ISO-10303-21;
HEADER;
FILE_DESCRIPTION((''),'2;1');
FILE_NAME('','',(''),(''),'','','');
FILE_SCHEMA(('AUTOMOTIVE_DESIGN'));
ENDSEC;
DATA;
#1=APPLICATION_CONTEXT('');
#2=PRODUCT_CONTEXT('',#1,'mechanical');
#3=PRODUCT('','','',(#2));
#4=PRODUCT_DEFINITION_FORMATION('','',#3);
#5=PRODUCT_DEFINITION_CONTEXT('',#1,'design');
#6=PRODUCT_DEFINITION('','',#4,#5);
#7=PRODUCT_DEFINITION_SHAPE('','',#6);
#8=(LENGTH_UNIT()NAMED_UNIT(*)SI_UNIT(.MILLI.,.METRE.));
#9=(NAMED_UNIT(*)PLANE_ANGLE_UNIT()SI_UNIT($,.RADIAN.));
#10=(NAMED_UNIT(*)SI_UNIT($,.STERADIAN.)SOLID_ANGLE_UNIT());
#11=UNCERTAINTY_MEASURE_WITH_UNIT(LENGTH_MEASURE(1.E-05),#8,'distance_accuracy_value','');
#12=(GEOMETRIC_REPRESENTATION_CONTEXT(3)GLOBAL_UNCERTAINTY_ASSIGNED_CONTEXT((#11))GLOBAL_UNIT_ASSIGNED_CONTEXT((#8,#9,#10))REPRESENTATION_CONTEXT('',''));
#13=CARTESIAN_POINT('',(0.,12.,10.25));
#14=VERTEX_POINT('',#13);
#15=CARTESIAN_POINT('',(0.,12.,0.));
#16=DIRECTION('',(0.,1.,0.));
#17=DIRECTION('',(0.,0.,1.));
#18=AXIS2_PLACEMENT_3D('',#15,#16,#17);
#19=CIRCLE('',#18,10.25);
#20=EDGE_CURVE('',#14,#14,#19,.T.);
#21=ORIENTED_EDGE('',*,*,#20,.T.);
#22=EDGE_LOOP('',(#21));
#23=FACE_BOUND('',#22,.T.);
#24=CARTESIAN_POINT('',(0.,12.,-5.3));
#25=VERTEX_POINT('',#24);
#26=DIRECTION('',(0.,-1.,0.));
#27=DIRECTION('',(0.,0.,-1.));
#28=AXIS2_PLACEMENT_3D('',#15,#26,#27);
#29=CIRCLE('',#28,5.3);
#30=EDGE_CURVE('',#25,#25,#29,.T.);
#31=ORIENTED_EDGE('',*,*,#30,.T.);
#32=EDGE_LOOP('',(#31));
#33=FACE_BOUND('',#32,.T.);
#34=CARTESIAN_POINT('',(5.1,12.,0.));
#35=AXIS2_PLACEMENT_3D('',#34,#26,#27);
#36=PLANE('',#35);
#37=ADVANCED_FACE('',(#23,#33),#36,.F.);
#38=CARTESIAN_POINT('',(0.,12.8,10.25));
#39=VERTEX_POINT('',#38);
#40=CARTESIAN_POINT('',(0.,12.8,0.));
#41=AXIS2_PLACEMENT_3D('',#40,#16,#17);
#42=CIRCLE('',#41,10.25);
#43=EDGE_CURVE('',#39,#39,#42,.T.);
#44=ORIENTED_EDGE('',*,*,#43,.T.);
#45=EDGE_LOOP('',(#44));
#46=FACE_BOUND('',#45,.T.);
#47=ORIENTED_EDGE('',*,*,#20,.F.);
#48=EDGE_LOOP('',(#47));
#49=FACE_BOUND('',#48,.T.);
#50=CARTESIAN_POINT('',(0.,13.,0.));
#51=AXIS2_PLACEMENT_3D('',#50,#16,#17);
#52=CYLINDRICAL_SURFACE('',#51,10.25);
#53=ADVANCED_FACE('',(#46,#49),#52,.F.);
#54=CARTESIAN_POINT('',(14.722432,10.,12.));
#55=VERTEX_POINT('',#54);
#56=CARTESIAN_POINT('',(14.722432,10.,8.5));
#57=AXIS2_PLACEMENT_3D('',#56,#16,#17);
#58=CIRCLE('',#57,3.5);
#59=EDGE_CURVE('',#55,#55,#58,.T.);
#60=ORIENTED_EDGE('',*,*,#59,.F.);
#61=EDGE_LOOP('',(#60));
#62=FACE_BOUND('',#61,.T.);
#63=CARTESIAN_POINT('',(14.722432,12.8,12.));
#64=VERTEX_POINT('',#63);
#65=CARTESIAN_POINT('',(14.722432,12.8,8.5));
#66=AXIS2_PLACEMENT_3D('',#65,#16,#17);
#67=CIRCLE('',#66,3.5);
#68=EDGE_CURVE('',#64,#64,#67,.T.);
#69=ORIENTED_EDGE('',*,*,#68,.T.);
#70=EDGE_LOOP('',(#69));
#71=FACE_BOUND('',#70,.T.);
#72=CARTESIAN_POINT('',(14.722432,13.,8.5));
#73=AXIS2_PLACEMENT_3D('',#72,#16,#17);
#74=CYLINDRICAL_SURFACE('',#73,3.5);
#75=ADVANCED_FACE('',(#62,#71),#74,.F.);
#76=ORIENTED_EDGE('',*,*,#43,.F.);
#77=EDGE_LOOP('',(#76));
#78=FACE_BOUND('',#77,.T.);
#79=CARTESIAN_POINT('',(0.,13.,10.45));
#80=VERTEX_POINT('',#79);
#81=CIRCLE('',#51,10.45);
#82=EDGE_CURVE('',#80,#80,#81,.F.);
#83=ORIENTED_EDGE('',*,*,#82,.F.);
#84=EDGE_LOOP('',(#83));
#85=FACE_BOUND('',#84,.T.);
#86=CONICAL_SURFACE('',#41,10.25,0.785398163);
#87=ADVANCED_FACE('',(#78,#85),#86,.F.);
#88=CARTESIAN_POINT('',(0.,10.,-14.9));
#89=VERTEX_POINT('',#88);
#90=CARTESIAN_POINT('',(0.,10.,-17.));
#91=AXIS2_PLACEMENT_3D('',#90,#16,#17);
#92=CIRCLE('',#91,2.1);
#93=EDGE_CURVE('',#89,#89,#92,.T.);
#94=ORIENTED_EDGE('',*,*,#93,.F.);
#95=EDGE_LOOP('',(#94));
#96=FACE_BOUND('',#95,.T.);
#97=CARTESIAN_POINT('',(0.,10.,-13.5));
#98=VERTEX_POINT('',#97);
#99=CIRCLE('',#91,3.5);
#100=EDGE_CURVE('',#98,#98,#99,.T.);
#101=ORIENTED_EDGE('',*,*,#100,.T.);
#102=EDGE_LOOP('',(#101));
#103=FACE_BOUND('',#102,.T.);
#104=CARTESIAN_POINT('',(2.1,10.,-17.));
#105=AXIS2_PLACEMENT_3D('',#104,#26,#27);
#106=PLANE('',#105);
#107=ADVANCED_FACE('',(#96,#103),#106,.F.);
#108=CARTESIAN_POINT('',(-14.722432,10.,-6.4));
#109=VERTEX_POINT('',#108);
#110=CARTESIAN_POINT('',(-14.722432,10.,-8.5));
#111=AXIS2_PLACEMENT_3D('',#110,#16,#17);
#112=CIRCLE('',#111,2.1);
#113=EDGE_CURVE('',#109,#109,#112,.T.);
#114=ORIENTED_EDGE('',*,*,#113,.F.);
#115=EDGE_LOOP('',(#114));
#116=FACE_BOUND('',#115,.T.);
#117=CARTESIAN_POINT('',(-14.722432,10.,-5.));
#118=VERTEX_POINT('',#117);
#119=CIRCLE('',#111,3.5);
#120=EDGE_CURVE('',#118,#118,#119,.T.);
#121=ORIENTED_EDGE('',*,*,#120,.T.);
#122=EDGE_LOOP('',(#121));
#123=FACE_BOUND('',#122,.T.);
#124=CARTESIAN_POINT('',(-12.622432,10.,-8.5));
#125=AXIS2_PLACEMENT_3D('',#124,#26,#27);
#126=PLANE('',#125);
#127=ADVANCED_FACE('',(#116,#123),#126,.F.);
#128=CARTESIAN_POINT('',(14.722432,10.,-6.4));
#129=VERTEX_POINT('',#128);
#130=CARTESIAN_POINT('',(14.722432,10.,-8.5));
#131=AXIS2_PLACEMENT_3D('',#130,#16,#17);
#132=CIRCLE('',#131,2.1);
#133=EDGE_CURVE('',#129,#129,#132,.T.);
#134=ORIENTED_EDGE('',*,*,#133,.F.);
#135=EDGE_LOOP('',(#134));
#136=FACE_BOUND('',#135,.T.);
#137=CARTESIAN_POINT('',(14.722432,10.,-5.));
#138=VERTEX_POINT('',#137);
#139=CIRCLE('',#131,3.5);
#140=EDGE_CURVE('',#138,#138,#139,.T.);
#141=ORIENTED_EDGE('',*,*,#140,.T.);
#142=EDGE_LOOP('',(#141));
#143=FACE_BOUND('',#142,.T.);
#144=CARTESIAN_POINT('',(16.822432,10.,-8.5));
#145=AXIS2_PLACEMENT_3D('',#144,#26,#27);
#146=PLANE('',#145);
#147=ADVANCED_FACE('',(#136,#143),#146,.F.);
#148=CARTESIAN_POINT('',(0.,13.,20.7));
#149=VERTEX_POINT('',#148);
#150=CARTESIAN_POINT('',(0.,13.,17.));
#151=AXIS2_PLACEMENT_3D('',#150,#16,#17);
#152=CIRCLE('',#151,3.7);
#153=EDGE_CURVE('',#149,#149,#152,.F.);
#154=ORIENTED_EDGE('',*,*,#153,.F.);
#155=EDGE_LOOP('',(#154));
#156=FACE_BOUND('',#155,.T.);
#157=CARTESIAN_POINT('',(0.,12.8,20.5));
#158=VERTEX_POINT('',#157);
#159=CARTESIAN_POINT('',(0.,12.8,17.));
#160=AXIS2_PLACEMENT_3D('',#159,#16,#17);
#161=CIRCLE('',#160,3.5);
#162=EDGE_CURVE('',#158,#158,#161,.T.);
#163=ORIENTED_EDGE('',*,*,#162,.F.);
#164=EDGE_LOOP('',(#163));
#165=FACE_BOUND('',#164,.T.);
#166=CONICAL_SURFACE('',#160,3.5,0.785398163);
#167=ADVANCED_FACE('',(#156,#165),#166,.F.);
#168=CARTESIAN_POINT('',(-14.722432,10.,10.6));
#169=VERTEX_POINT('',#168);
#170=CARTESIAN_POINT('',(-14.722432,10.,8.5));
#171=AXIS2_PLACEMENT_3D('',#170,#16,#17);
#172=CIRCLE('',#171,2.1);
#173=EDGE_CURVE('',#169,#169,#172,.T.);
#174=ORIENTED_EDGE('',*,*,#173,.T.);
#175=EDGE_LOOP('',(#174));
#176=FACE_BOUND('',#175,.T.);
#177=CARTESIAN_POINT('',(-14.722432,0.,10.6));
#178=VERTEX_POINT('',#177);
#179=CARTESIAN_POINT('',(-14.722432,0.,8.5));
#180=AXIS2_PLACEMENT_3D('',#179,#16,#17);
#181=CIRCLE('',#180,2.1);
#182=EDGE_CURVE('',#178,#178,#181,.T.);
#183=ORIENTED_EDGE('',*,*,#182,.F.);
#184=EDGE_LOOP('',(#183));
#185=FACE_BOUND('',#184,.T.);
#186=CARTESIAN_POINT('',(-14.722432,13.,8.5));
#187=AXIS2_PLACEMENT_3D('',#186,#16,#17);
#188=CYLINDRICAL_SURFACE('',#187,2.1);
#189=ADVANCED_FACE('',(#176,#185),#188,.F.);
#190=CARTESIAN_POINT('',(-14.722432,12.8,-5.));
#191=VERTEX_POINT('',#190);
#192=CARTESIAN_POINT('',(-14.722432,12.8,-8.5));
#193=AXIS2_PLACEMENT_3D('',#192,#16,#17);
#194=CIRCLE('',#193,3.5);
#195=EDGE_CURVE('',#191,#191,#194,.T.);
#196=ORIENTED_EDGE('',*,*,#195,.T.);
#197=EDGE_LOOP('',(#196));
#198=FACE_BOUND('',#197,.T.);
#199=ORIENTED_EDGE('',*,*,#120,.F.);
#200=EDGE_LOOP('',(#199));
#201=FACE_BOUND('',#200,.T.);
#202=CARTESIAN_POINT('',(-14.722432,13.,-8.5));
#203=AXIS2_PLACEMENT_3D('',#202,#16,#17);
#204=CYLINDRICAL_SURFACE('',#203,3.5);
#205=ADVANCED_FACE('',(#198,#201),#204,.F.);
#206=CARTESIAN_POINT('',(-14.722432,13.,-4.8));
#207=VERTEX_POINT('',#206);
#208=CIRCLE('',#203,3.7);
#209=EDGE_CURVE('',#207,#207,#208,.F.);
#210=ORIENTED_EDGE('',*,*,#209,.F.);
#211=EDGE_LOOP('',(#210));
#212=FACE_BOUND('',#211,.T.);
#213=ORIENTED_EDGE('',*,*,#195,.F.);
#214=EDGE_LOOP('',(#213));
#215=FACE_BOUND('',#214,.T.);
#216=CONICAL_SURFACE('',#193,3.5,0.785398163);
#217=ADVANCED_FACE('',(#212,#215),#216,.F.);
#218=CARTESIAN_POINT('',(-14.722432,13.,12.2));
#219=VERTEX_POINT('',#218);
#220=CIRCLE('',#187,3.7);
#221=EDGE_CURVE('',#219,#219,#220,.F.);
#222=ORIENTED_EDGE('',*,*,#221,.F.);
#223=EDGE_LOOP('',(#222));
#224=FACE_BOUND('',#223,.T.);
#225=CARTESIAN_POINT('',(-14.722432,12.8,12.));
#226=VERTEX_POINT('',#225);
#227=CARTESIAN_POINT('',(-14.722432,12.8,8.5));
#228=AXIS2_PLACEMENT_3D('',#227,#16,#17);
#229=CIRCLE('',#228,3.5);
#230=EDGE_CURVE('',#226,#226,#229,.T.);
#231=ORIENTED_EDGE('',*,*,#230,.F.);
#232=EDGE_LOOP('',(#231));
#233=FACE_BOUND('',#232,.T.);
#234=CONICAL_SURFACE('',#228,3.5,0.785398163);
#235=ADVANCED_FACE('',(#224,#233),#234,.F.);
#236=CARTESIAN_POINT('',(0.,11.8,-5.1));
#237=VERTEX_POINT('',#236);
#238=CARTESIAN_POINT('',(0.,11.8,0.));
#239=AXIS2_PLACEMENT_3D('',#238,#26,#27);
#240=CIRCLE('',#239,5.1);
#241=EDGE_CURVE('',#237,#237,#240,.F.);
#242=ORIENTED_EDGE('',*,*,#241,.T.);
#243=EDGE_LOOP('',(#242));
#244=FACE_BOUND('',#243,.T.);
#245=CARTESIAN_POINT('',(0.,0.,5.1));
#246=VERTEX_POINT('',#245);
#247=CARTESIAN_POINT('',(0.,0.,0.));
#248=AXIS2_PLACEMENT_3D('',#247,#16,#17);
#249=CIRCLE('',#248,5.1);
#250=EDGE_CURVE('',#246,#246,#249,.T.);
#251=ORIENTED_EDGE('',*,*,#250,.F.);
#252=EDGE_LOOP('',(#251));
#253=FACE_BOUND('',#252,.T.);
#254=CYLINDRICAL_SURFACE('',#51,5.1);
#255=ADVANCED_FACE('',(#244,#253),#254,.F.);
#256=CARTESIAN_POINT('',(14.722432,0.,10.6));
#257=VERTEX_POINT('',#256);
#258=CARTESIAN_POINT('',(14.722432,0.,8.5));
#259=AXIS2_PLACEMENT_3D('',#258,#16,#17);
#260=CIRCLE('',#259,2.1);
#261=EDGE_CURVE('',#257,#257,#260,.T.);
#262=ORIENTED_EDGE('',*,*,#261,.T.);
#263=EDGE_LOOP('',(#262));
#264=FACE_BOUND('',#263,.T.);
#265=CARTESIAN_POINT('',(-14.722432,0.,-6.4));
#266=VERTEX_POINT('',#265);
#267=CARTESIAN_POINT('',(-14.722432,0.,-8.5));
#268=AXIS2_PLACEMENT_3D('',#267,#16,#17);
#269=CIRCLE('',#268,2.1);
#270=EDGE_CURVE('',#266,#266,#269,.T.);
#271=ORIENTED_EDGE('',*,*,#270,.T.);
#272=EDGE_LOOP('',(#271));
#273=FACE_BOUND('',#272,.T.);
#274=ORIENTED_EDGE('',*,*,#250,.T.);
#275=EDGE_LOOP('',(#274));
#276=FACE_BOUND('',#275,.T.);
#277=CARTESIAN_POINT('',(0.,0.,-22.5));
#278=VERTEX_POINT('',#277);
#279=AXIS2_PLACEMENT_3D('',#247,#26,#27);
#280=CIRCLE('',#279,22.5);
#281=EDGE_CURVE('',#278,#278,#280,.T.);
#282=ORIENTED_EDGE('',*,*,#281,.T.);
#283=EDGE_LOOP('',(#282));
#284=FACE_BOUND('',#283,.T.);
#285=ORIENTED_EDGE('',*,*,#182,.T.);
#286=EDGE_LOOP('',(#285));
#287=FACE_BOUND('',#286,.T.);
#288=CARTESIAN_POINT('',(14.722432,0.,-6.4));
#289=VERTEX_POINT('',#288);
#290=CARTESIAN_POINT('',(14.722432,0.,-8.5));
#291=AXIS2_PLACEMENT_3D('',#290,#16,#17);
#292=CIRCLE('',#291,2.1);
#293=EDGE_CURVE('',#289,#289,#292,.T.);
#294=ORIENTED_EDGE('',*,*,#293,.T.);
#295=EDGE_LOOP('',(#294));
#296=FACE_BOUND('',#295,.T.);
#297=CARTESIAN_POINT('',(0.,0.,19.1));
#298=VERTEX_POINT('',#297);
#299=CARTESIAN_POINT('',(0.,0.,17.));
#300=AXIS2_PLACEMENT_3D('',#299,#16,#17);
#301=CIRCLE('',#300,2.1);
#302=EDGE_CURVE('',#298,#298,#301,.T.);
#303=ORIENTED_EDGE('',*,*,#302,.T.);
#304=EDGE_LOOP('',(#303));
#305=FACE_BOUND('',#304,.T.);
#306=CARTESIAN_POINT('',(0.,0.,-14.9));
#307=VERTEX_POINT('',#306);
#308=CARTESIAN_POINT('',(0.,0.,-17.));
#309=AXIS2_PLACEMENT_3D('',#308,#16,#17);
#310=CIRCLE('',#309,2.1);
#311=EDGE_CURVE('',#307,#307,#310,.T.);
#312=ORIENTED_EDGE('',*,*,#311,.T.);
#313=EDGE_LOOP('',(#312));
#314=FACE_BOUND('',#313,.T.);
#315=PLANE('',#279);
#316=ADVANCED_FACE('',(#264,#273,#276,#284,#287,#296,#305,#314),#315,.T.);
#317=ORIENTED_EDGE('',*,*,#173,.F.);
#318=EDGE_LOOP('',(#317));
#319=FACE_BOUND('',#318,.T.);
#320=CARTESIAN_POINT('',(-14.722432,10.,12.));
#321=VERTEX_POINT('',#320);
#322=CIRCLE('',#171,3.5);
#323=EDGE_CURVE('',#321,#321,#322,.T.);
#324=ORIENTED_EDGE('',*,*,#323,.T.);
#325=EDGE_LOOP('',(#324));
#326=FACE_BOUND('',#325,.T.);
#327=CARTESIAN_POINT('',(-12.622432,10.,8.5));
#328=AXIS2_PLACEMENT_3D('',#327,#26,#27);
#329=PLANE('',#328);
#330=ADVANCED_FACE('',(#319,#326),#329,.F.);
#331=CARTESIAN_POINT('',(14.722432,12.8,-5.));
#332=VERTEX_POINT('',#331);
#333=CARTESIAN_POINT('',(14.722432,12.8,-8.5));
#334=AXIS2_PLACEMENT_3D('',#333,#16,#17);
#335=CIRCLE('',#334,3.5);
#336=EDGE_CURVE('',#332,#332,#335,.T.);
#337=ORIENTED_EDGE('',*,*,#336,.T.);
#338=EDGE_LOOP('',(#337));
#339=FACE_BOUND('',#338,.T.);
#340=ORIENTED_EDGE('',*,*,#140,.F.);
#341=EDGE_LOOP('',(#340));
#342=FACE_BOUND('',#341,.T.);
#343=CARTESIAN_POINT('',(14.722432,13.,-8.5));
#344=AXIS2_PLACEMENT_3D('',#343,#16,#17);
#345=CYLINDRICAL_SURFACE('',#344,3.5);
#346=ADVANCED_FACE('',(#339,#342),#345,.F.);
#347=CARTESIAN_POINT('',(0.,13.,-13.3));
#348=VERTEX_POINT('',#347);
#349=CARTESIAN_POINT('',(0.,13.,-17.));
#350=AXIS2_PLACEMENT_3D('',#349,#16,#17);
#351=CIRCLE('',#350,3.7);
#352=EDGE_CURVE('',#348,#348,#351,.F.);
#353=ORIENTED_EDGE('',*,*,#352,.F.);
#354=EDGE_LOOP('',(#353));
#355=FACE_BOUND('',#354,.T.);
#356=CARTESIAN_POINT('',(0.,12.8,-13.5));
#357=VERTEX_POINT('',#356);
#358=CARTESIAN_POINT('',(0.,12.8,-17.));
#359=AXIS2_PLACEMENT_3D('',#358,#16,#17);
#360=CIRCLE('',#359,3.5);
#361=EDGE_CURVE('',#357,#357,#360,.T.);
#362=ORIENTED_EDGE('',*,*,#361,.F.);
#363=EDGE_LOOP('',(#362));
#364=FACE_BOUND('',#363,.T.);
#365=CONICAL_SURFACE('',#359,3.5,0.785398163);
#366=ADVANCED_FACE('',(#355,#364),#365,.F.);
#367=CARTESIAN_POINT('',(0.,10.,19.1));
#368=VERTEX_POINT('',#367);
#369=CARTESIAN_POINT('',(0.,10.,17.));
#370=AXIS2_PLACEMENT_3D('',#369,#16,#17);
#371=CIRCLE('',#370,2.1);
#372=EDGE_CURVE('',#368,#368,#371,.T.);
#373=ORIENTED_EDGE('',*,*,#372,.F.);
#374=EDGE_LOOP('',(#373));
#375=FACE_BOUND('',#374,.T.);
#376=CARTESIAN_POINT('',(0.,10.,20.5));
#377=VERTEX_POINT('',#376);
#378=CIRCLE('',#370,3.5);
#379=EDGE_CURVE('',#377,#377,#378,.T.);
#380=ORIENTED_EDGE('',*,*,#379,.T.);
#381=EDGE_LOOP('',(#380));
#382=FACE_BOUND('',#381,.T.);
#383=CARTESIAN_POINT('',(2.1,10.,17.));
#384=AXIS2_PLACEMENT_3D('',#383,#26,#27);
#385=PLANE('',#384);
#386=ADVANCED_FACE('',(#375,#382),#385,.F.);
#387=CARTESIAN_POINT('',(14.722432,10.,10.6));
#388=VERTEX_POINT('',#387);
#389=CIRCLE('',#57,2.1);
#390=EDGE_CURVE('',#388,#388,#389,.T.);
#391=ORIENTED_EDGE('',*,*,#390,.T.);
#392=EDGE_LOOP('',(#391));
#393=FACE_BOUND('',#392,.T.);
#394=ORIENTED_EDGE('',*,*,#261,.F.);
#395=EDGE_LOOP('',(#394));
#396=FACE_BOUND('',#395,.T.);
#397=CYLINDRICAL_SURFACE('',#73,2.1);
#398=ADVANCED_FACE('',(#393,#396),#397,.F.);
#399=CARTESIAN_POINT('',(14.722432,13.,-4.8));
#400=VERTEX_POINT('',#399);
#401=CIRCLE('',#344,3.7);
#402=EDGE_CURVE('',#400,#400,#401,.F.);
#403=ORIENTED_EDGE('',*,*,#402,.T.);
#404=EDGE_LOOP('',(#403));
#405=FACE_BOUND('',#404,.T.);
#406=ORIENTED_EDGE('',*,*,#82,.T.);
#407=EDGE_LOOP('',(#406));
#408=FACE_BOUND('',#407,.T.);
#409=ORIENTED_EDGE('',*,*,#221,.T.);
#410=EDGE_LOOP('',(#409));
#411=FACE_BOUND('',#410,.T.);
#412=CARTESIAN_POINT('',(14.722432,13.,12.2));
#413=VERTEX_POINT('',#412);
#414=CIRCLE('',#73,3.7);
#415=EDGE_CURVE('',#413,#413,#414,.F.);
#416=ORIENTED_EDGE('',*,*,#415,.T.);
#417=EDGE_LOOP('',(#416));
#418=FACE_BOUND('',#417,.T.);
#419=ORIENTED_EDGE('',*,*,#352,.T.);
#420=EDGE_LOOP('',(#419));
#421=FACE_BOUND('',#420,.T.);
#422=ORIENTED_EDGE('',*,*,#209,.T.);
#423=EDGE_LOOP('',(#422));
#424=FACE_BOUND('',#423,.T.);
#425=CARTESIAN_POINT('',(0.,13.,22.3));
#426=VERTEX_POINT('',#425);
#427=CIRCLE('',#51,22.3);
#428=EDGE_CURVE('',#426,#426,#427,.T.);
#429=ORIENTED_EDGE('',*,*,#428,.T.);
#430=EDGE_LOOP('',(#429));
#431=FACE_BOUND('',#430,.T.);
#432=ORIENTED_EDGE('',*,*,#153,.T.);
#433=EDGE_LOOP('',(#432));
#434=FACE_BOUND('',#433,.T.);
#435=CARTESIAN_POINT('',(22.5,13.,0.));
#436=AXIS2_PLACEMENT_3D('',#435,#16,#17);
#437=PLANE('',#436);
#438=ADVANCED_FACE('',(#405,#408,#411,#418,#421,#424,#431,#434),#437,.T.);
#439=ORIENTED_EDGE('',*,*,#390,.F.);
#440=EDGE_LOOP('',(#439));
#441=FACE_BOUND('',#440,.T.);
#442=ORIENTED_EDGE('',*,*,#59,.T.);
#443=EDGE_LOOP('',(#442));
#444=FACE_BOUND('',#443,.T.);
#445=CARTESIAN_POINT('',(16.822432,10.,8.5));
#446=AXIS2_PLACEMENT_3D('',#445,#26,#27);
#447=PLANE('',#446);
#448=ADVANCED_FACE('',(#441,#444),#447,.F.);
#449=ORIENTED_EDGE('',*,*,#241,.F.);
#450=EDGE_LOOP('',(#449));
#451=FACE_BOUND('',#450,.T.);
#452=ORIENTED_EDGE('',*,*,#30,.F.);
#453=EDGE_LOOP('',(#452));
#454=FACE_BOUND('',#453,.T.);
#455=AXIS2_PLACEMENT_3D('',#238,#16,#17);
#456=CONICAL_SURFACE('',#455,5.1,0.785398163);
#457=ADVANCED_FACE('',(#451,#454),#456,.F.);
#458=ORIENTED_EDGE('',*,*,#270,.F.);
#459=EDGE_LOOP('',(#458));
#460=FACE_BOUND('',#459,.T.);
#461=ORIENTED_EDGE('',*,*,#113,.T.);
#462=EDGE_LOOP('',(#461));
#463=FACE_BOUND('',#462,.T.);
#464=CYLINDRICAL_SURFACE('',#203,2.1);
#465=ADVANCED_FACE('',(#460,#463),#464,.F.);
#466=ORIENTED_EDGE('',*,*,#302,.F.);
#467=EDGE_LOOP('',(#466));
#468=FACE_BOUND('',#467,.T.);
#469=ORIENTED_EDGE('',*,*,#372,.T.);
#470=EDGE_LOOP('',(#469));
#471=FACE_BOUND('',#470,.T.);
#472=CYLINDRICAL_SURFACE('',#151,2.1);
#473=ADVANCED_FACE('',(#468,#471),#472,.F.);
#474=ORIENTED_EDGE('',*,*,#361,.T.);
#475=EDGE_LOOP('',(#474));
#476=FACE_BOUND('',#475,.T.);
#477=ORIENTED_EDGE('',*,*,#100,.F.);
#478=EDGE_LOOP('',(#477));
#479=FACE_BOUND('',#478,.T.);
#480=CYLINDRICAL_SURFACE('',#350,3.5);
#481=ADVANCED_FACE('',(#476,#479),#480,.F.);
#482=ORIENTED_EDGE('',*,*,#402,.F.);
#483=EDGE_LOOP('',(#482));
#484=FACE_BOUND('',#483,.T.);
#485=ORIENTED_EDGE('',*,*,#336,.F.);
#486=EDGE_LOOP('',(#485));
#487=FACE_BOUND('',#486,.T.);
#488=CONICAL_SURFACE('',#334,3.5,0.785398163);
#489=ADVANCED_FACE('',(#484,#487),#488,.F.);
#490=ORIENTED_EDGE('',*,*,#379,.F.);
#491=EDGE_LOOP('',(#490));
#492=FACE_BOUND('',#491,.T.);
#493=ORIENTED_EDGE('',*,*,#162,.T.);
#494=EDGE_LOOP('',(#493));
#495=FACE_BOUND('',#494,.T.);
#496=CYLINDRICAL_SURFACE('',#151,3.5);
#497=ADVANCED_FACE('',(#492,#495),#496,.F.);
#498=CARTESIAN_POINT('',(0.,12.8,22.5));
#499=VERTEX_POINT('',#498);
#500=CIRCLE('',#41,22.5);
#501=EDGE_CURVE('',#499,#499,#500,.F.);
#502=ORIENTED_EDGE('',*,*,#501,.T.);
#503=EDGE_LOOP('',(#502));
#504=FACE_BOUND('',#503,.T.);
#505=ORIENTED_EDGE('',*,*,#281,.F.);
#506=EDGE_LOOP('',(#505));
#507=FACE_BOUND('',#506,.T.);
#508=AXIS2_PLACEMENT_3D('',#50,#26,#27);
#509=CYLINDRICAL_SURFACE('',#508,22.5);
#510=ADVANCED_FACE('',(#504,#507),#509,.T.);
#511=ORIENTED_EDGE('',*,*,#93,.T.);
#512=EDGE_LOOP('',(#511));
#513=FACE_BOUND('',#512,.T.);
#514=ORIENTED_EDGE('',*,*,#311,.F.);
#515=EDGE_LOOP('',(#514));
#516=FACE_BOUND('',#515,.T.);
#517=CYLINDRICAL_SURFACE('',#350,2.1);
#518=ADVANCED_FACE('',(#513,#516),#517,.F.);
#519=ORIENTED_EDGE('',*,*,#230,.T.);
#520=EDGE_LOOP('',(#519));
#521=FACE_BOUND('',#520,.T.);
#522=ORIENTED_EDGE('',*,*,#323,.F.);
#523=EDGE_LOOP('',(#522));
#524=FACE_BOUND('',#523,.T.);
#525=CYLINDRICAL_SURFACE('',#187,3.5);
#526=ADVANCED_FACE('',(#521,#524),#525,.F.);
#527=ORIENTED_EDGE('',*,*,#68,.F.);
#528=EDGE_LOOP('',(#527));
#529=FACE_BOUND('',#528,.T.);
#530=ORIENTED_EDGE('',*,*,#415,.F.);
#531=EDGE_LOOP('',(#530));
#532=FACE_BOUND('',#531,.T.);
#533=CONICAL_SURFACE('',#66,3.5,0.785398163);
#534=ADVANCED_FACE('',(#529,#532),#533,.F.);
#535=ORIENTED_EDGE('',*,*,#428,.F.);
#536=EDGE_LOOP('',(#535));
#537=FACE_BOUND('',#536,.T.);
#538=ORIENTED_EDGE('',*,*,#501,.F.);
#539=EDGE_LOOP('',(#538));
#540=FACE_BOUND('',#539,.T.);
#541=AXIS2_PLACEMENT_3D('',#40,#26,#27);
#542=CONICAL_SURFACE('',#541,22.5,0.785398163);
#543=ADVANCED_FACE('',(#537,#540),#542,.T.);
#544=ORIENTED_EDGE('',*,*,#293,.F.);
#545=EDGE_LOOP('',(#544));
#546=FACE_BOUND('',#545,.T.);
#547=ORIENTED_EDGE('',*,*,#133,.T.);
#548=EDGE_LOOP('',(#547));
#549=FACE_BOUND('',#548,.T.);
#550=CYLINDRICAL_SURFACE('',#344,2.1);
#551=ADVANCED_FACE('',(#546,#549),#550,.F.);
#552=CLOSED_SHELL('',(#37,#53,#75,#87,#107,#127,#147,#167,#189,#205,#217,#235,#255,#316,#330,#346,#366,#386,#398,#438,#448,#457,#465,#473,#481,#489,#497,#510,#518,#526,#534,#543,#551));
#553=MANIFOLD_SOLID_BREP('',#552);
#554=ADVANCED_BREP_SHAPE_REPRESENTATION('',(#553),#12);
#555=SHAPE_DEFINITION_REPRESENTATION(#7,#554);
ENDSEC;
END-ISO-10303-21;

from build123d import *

# Parameters (mm, degrees)
SKETCH_1_W                     = 22.5
SKETCH_1_H                     = 13
HOLE_WIZARD_M3_5_1_D           = 4.2
HOLE_WIZARD_M3_5_1_CBORE_D     = 7
HOLE_WIZARD_M3_5_1_CBORE_DEPTH = 3
HOLE_WIZARD_1_D                = 10.2
HOLE_WIZARD_1_CBORE_D          = 20.5
HOLE_WIZARD_1_CBORE_DEPTH      = 1
CHAMFER_1_SIZE                 = 0.2


with BuildPart() as part:
    # 草图1 → 旋转1 (revolve)
    with BuildSketch(Plane.XY, mode=Mode.PRIVATE) as revolve_1_sk:
        with Locations((11.25, 6.5)):
            Rectangle(SKETCH_1_W, SKETCH_1_H)
    revolve(revolve_1_sk.sketch.rotate(Axis((0, 13, 0), (0, -1, 0)), 270), axis=Axis((0, 13, 0), (0, -1, 0)))

    # M3.5 六角头机械螺钉的柱形沉头孔1 (through all)
    with Locations(Plane(origin=(0, 13, 0), x_dir=(1, 0, 0), z_dir=(0, 1, 0))):
        with Locations((14.722431864, 8.5), (14.722431864, -8.5), (0, -17), (-14.722431864, -8.5), (-14.722431864, 8.5), (0, 17)):
            CounterBoreHole(HOLE_WIZARD_M3_5_1_D / 2, HOLE_WIZARD_M3_5_1_CBORE_D / 2, HOLE_WIZARD_M3_5_1_CBORE_DEPTH)

    # 孔1 (through all)
    with Locations(Plane(origin=(0, 13, 0), x_dir=(1, 0, 0), z_dir=(0, 1, 0))):
        with Locations((0, 0)):
            CounterBoreHole(HOLE_WIZARD_1_D / 2, HOLE_WIZARD_1_CBORE_D / 2, HOLE_WIZARD_1_CBORE_DEPTH)

    # 倒角1
    chamfer_1_edges = [part.edges().sort_by_distance(p)[0] for p in [
        (-3.5, 13, -17),
        (-18.222431864, 13, -8.5),
        (-18.222431864, 13, 8.5),
        (-3.5, 13, 17),
        (11.222431864, 13, 8.5),
        (11.222431864, 13, -8.5),
        (0, 13, 22.5),
        (-10.25, 13, 0),
        (5.1, 12, 0),
    ]]
    chamfer(chamfer_1_edges, length=CHAMFER_1_SIZE)


solid = part.part
